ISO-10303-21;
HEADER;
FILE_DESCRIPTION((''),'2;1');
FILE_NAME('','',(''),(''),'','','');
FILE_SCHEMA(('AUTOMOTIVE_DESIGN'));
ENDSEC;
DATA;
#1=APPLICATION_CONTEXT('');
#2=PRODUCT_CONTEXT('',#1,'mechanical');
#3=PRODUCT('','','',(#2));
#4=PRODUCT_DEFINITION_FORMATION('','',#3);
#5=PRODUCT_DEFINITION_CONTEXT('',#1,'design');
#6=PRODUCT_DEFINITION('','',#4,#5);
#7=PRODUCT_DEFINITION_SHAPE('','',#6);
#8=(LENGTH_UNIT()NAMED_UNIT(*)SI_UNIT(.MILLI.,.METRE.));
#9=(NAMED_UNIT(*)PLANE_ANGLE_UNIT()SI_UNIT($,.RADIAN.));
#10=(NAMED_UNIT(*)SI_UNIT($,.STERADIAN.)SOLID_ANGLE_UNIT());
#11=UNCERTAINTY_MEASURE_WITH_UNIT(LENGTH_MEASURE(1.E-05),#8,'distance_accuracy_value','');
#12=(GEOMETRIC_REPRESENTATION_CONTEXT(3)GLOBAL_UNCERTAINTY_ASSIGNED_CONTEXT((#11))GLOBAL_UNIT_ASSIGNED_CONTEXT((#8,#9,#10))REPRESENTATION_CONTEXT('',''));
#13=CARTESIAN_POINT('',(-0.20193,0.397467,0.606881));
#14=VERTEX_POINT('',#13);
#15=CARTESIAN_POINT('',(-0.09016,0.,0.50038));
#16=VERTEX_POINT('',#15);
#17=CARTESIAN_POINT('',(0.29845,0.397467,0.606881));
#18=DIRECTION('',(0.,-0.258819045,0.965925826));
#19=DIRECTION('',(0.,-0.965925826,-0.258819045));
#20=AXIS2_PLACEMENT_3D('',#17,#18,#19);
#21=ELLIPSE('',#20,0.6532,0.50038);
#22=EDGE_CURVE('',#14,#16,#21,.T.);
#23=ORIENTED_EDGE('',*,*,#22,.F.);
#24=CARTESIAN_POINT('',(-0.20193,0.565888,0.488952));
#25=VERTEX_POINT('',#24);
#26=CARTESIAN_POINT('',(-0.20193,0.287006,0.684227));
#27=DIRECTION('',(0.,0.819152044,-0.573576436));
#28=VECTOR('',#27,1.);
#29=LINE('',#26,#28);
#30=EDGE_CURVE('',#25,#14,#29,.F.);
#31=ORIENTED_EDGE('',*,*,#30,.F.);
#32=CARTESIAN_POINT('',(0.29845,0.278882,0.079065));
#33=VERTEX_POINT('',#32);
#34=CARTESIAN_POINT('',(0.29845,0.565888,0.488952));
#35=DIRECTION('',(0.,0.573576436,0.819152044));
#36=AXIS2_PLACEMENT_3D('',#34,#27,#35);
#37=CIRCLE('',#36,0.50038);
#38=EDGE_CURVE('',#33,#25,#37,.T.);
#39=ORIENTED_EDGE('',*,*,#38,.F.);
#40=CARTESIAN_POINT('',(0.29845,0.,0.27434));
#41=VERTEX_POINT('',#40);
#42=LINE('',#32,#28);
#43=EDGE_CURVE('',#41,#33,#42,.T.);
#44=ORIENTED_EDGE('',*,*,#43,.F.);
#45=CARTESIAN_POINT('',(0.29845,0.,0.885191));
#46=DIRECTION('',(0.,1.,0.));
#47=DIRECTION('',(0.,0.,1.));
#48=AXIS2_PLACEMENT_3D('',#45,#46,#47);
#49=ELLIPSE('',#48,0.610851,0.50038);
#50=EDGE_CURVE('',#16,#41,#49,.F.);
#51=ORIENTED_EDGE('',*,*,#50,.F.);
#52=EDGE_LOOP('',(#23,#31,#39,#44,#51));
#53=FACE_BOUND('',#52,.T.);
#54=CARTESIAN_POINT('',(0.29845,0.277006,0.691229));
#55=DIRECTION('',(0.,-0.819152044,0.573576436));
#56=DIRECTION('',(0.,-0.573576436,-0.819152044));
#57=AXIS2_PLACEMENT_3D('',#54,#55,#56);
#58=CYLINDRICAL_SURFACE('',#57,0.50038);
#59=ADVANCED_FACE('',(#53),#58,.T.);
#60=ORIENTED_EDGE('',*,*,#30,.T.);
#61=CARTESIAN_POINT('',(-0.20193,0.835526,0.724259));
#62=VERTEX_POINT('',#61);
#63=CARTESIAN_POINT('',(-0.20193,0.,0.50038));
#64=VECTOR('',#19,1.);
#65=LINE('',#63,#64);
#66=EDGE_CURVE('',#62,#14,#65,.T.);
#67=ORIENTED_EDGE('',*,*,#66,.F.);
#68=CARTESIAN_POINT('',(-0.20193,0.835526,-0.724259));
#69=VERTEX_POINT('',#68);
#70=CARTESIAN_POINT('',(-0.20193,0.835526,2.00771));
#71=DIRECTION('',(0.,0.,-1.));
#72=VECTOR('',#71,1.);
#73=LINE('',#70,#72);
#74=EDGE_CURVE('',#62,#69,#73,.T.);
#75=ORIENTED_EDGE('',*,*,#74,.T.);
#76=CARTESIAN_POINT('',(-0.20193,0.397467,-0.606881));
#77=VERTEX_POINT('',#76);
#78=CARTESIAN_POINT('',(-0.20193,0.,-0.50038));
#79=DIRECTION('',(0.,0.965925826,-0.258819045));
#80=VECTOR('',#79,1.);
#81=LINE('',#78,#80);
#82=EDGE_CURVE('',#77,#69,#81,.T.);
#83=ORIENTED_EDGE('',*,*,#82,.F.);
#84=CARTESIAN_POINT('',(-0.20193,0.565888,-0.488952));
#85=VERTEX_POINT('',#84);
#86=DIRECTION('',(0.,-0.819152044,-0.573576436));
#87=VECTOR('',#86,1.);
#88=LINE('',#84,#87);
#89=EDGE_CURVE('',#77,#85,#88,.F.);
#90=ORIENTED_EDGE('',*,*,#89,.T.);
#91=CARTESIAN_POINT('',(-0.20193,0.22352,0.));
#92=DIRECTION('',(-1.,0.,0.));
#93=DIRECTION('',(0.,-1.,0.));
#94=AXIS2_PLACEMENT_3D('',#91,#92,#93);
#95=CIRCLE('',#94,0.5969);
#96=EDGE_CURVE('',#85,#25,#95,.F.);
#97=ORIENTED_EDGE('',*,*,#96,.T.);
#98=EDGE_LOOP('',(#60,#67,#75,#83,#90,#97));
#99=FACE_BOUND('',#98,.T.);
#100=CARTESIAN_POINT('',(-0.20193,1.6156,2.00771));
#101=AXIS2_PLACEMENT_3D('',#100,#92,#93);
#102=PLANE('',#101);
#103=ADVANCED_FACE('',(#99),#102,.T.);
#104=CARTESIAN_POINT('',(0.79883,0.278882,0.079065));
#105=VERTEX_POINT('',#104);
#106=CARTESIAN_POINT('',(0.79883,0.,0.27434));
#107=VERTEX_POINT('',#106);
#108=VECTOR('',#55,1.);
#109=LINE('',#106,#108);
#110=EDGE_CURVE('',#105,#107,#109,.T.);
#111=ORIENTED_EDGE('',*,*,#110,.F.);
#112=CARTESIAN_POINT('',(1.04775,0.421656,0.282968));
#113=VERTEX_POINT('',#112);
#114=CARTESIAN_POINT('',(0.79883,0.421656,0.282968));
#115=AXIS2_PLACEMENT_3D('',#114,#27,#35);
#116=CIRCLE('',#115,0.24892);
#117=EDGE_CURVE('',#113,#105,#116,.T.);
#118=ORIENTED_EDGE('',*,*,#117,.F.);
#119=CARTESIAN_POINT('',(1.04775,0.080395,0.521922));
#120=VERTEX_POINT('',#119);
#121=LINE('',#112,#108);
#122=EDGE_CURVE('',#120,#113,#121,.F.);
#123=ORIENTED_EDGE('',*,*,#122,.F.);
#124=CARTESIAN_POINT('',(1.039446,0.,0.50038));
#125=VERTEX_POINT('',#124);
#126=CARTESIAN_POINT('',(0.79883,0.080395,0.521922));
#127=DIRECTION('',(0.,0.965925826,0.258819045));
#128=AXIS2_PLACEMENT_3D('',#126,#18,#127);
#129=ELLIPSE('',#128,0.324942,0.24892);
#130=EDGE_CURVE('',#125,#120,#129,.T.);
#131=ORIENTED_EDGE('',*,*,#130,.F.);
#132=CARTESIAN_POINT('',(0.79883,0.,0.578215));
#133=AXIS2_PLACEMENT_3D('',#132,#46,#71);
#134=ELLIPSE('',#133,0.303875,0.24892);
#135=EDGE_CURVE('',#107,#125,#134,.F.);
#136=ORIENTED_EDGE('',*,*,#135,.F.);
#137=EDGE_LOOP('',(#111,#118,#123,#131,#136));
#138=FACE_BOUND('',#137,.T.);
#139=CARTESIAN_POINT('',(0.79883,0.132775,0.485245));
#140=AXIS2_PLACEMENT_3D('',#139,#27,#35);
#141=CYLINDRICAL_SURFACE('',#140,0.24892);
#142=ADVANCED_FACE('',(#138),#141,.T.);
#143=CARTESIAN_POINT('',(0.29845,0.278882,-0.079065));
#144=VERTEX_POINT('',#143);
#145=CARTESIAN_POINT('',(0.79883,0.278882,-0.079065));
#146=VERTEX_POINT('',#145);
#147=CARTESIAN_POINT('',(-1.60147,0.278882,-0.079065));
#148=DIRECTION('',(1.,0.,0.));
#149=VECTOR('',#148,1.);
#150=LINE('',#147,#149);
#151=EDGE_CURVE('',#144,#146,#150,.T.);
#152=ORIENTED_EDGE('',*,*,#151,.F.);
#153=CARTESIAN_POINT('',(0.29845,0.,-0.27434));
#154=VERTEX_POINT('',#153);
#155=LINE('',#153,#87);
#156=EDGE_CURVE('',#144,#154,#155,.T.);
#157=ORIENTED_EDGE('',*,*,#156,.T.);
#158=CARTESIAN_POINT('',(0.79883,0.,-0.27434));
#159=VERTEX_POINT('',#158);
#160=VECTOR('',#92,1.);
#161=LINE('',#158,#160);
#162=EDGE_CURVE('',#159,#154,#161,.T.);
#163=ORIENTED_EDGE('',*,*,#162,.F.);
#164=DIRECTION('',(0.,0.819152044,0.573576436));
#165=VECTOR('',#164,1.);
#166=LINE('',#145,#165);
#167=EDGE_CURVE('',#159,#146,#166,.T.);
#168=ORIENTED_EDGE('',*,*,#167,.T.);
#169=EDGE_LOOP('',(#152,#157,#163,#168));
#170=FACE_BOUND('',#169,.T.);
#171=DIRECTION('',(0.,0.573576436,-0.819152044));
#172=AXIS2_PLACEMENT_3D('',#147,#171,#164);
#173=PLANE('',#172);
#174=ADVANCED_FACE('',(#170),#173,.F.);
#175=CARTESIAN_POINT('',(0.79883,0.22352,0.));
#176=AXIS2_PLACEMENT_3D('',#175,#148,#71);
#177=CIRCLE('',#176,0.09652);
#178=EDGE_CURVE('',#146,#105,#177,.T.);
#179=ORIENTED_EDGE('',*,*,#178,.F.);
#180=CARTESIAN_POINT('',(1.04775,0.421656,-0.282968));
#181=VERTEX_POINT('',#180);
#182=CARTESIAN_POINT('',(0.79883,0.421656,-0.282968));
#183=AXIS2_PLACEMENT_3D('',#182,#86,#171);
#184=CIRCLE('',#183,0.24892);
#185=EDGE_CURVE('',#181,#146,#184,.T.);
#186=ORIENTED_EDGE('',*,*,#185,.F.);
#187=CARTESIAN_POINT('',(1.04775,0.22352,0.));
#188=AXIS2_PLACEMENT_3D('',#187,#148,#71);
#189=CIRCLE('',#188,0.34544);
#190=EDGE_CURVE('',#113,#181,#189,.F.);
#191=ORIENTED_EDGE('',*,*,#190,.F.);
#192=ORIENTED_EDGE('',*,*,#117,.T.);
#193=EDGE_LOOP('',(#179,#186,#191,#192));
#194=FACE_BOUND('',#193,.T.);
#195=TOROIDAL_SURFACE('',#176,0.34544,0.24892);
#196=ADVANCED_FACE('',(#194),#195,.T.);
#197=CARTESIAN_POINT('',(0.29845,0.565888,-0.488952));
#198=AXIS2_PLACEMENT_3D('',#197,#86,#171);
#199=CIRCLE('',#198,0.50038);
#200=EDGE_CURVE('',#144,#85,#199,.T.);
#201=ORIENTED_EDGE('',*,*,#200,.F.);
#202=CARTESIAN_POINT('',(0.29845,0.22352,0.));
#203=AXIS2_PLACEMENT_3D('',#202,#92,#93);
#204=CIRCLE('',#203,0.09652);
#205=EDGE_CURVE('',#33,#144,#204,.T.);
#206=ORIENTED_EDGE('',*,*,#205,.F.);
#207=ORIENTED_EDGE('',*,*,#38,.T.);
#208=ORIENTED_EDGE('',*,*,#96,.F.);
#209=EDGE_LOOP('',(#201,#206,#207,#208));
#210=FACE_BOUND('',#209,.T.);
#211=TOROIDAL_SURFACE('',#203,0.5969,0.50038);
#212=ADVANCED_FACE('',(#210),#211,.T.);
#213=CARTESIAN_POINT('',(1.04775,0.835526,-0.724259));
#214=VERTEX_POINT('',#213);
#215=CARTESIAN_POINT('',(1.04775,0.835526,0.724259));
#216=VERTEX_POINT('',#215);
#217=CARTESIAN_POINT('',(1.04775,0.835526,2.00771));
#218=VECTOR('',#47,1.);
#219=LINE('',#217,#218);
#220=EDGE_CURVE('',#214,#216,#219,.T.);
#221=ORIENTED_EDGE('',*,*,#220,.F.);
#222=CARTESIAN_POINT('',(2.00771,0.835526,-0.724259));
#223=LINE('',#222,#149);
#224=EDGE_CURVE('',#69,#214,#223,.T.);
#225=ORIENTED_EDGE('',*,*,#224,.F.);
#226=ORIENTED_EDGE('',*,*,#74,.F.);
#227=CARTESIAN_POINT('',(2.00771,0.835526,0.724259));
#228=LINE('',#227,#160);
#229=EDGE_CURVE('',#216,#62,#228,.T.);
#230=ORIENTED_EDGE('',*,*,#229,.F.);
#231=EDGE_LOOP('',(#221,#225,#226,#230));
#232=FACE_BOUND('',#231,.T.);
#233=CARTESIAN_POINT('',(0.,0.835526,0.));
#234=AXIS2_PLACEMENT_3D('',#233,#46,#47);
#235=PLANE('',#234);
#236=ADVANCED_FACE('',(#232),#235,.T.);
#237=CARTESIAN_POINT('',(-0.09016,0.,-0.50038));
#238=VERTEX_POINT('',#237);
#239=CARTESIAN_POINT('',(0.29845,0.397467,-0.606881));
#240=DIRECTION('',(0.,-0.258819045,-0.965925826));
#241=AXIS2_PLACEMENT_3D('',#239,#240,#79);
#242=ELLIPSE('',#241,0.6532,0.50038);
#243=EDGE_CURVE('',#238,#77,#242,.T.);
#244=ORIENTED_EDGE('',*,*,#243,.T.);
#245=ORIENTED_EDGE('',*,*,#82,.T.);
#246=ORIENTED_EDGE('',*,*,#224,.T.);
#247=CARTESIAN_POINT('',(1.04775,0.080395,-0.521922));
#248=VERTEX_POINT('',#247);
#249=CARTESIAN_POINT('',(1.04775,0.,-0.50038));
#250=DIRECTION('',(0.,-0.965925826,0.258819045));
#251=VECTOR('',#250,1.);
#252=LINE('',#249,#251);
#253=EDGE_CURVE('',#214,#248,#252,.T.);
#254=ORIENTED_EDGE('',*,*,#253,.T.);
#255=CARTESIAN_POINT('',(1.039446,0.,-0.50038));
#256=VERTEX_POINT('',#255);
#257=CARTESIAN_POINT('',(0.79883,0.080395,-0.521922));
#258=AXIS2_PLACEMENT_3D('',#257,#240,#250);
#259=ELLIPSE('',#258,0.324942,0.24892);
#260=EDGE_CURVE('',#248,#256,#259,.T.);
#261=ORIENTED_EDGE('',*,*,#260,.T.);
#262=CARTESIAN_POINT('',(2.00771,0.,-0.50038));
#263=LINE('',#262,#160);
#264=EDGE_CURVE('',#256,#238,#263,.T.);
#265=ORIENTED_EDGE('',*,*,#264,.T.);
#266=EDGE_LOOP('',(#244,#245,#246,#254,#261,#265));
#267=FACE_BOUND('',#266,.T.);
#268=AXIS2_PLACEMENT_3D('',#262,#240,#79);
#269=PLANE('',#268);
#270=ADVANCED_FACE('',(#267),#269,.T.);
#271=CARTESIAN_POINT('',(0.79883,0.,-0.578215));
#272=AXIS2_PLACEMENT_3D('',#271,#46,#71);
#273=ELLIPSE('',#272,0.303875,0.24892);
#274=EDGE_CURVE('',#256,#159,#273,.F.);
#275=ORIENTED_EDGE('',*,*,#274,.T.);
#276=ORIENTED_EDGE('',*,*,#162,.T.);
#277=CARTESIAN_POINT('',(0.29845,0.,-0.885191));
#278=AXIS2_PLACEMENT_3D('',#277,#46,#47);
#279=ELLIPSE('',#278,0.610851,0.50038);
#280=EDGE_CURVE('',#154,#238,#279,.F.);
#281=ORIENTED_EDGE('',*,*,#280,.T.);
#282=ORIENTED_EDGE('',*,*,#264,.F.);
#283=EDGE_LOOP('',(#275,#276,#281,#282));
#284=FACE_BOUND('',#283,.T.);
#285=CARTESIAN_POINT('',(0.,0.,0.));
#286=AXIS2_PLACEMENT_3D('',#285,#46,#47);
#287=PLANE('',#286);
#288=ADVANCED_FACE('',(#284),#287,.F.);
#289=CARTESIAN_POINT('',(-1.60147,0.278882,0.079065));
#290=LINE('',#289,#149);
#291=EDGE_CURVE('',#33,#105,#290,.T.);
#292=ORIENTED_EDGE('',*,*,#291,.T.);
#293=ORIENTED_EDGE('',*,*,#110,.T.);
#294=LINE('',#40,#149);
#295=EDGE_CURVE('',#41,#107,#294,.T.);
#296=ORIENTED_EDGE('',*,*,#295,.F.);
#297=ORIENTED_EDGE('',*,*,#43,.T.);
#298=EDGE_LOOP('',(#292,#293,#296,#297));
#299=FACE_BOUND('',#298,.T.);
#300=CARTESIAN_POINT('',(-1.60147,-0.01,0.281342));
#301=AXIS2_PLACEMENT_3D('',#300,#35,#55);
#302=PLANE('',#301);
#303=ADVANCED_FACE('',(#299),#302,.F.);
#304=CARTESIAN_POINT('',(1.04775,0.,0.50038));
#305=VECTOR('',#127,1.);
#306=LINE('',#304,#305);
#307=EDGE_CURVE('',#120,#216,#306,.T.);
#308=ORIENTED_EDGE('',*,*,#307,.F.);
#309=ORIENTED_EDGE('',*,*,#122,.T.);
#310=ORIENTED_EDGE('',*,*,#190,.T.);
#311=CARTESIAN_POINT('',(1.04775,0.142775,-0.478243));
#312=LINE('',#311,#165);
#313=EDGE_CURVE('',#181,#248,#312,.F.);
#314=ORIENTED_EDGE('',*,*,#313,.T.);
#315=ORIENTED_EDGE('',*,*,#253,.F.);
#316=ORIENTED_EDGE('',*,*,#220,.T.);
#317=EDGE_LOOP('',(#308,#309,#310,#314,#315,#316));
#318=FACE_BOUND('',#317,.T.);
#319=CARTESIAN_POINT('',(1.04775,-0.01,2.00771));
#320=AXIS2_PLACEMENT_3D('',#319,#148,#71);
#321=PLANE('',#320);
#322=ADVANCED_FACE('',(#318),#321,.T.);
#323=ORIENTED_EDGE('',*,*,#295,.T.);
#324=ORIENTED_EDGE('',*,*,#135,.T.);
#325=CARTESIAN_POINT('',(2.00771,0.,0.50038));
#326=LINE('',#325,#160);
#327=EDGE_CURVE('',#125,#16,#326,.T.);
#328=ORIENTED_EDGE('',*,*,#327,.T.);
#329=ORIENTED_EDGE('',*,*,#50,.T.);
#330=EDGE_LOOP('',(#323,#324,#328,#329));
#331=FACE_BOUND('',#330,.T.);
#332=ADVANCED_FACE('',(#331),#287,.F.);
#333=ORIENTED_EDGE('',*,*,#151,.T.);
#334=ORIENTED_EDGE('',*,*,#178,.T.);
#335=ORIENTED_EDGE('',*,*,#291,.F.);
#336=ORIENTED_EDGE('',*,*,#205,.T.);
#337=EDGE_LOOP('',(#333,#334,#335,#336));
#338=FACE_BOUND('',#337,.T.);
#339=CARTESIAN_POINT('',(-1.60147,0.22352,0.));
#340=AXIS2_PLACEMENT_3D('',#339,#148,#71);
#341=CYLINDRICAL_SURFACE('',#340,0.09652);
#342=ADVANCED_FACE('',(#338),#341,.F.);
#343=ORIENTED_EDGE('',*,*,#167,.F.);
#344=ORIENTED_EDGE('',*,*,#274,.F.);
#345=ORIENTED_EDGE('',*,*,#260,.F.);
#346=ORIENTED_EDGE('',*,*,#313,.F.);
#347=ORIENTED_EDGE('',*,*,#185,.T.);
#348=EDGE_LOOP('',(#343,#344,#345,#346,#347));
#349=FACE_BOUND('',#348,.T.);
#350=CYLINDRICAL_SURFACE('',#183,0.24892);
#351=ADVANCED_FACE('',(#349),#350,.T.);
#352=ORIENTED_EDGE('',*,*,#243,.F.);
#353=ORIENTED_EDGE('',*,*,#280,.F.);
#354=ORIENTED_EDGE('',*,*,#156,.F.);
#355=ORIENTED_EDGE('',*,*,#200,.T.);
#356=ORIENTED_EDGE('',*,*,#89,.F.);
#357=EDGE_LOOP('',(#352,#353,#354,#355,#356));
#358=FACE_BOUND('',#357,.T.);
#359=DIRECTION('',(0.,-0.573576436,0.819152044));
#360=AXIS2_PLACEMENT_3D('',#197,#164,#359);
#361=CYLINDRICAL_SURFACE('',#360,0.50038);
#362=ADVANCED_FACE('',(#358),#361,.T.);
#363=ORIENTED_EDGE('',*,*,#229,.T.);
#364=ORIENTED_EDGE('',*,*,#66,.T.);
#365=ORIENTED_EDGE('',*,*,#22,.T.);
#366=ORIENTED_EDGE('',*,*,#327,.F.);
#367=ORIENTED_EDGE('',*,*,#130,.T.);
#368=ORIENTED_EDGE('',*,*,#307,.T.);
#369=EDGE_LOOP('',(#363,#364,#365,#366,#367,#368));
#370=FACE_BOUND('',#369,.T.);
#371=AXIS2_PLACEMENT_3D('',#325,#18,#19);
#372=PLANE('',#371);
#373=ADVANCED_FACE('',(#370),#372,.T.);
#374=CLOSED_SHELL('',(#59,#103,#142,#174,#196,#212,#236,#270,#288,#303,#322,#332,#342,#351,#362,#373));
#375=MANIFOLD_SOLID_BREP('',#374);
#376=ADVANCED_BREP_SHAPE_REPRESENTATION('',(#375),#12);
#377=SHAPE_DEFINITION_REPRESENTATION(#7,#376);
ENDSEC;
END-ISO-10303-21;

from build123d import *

# Parameters (mm, degrees)
SKETCH_TL_CUTTING_R    = 1.99771
TL_CUTTING_DEPTH       = 29.999999944
SKETCH_TDF_CUTTING_W   = 4.01541996
SKETCH_TDF_CUTTING_H   = 4.01541996
TDF_CUTTING_DEPTH      = 31.132734478
VW_VR_GRINDING_DEPTH   = 2.00770998
VW_VR_GRINDING_2_DEPTH = 2.00770998
ISA_GRINDING_DEPTH     = 2.00770998
SKETCH_PRE_FRX_BRX_W   = 0.93996002
SKETCH_PRE_FRX_BRX_H   = 1.6256
SKETCH_PRE_FRX_BRX_W_2 = 1.81577996
PRE_FRX_BRX_DEPTH      = 2.00770998
FA_BA_GRINDING_DEPTH   = 2.00770998
BR_EDM_R               = 0.24892
FR_EDM_R               = 0.50038


with BuildPart() as part:
    # sketch_TL_cutting → TL_cutting (new body)
    with BuildSketch(Plane(origin=(0, 0, 0), x_dir=(1, 0, 0), z_dir=(0, 1, 0))):
        with Locations(Location((0, 0, 0), (0, 0, 270))):
            Circle(SKETCH_TL_CUTTING_R)
    extrude(amount=TL_CUTTING_DEPTH)

    # sketch_TDF_cutting → TDF_cutting (cut, through all)
    with BuildSketch(Plane(origin=(0, 0, 0), x_dir=(1, 0, 0), z_dir=(0, 1, 0))):
        with Locations((-3.60917998, 0)):
            Rectangle(SKETCH_TDF_CUTTING_W, SKETCH_TDF_CUTTING_H)
    extrude(amount=TDF_CUTTING_DEPTH, mode=Mode.SUBTRACT)


with BuildPart() as body_2:
    # sketch_VW_VR_grinding → VW_VR_grinding (new, symmetric)
    with BuildSketch(Plane(origin=(0, 0, 0), x_dir=(0, 0, -1), z_dir=(1, 0, 0))):
        with BuildLine():
            Line((-1.59004, -0.00999998), (-1.59004, 9.985377879))
            ThreePointArc((-1.59004, 9.985377879), (-1.591006547, 10.007515438), (-1.593898831, 10.029484517))
            Line((-1.593898831, 10.029484517), (-2.01770996, 12.433036869))
            Line((-2.01770996, 12.433036869), (-2.00770998, -0.00999998))
            Line((-2.00770998, -0.00999998), (-1.59004, -0.00999998))
        make_face()
    extrude(amount=VW_VR_GRINDING_DEPTH, both=True)


with BuildPart() as body_3:
    # sketch_VW_VR_grinding → VW_VR_grinding 2 (new, symmetric)
    with BuildSketch(Plane(origin=(0, 0, 0), x_dir=(0, 0, -1), z_dir=(1, 0, 0))):
        with BuildLine():
            Line((1.59004, -0.00999998), (1.59004, 9.985377879))
            ThreePointArc((1.59004, 9.985377879), (1.591006547, 10.007515438), (1.593898831, 10.029484517))
            Line((1.593898831, 10.029484517), (2.01770996, 12.433036869))
            Line((2.01770996, 12.433036869), (2.00770998, -0.00999998))
            Line((2.00770998, -0.00999998), (1.59004, -0.00999998))
        make_face()
    extrude(amount=VW_VR_GRINDING_2_DEPTH, both=True)


    add(body_2.part)  # ISA_grinding merges body 2
    # sketch_ISA_grinding → ISA_grinding (add, symmetric)
    with BuildSketch(Plane(origin=(0, 0, 0), x_dir=(0, 0, -1), z_dir=(1, 0, 0))):
        Polygon((-0.50038, 0), (0.50038, 0), (2.00770998, 5.625432069), (2.00770998, -0.02999994), (-2.00770998, -0.02999994), (-2.00770998, 5.625432069), align=None)
    extrude(amount=ISA_GRINDING_DEPTH, both=True)

    # sketch_pre_FRX_BRX → pre_FRX_BRX (add, symmetric)
    with BuildSketch(Plane.XY):
        with Locations((1.52772999, 0.80280002)):
            Rectangle(SKETCH_PRE_FRX_BRX_W, SKETCH_PRE_FRX_BRX_H)
        with Locations((-1.10981998, 0.80280002)):
            Rectangle(SKETCH_PRE_FRX_BRX_W_2, SKETCH_PRE_FRX_BRX_H)
    extrude(amount=PRE_FRX_BRX_DEPTH, both=True)

    # sketch_FA_BA_grinding → FA_BA_grinding (add, symmetric)
    with BuildSketch(Plane.XY):
        Polygon((1.04775, -0.00999998), (1.04775, 1.6256), (2.12471, 9.288568576), (2.12471, -0.00999998), align=None)
        Polygon((-0.20193, -0.00999998), (-0.20193, 1.6256), (-1.72847, 12.487496496), (-1.72847, -0.00999998), align=None)
    extrude(amount=FA_BA_GRINDING_DEPTH, both=True)


with BuildPart() as part_1:
    add(part.part)

    # B1_fix: cut body 3
    add(body_3.part, mode=Mode.SUBTRACT)

    # V-Groove_EDM: sweep along a path in sketch_contour_V-Groove
    with BuildLine(Plane.XY) as v_groove_edm_path:
        Line((-1.60147, 0.32004), (1.99771, 0.32004))
    # sketch_section_V-Groove → V-Groove_EDM (sweep, cut)
    with BuildSketch(Plane(origin=(-1.60147, 0, -1.2954), x_dir=(0, 0, -1), z_dir=(1, 0, 0))):
        with BuildLine():
            Line((-1.216335445, 0.278881598), (-1.014058386, -0.00999998))
            Line((-1.014058386, -0.00999998), (-1.576741614, -0.00999998))
            Line((-1.576741614, -0.00999998), (-1.374464555, 0.278881598))
            ThreePointArc((-1.374464555, 0.278881598), (-1.2954, 0.32004), (-1.216335445, 0.278881598))
        make_face()
    sweep(path=v_groove_edm_path.line, mode=Mode.SUBTRACT)

    # BR_EDM
    br_edm_edges = [part_1.edges().sort_by_distance(p)[0] for p in [
        (1.04775, 0.139440799, -0.176702054),
        (1.04775, 0.32004, 0),
        (1.04775, 0.139440799, 0.176702054),
    ]]
    fillet(br_edm_edges, radius=BR_EDM_R)

    # FR_EDM
    fr_edm_edges = [part_1.edges().sort_by_distance(p)[0] for p in [
        (-0.20193, 0.32004, 0),
        (-0.20193, 0.139440799, -0.176702054),
        (-0.20193, 0.139440799, 0.176702054),
    ]]
    fillet(fr_edm_edges, radius=FR_EDM_R)

    # SurfaceCut1
    split(bisect_by=Plane(origin=(0, 0.835526316, 0), x_dir=(1, 0, 0), z_dir=(0, 1, 0)), keep=Keep.BOTTOM)


solid = part_1.part
